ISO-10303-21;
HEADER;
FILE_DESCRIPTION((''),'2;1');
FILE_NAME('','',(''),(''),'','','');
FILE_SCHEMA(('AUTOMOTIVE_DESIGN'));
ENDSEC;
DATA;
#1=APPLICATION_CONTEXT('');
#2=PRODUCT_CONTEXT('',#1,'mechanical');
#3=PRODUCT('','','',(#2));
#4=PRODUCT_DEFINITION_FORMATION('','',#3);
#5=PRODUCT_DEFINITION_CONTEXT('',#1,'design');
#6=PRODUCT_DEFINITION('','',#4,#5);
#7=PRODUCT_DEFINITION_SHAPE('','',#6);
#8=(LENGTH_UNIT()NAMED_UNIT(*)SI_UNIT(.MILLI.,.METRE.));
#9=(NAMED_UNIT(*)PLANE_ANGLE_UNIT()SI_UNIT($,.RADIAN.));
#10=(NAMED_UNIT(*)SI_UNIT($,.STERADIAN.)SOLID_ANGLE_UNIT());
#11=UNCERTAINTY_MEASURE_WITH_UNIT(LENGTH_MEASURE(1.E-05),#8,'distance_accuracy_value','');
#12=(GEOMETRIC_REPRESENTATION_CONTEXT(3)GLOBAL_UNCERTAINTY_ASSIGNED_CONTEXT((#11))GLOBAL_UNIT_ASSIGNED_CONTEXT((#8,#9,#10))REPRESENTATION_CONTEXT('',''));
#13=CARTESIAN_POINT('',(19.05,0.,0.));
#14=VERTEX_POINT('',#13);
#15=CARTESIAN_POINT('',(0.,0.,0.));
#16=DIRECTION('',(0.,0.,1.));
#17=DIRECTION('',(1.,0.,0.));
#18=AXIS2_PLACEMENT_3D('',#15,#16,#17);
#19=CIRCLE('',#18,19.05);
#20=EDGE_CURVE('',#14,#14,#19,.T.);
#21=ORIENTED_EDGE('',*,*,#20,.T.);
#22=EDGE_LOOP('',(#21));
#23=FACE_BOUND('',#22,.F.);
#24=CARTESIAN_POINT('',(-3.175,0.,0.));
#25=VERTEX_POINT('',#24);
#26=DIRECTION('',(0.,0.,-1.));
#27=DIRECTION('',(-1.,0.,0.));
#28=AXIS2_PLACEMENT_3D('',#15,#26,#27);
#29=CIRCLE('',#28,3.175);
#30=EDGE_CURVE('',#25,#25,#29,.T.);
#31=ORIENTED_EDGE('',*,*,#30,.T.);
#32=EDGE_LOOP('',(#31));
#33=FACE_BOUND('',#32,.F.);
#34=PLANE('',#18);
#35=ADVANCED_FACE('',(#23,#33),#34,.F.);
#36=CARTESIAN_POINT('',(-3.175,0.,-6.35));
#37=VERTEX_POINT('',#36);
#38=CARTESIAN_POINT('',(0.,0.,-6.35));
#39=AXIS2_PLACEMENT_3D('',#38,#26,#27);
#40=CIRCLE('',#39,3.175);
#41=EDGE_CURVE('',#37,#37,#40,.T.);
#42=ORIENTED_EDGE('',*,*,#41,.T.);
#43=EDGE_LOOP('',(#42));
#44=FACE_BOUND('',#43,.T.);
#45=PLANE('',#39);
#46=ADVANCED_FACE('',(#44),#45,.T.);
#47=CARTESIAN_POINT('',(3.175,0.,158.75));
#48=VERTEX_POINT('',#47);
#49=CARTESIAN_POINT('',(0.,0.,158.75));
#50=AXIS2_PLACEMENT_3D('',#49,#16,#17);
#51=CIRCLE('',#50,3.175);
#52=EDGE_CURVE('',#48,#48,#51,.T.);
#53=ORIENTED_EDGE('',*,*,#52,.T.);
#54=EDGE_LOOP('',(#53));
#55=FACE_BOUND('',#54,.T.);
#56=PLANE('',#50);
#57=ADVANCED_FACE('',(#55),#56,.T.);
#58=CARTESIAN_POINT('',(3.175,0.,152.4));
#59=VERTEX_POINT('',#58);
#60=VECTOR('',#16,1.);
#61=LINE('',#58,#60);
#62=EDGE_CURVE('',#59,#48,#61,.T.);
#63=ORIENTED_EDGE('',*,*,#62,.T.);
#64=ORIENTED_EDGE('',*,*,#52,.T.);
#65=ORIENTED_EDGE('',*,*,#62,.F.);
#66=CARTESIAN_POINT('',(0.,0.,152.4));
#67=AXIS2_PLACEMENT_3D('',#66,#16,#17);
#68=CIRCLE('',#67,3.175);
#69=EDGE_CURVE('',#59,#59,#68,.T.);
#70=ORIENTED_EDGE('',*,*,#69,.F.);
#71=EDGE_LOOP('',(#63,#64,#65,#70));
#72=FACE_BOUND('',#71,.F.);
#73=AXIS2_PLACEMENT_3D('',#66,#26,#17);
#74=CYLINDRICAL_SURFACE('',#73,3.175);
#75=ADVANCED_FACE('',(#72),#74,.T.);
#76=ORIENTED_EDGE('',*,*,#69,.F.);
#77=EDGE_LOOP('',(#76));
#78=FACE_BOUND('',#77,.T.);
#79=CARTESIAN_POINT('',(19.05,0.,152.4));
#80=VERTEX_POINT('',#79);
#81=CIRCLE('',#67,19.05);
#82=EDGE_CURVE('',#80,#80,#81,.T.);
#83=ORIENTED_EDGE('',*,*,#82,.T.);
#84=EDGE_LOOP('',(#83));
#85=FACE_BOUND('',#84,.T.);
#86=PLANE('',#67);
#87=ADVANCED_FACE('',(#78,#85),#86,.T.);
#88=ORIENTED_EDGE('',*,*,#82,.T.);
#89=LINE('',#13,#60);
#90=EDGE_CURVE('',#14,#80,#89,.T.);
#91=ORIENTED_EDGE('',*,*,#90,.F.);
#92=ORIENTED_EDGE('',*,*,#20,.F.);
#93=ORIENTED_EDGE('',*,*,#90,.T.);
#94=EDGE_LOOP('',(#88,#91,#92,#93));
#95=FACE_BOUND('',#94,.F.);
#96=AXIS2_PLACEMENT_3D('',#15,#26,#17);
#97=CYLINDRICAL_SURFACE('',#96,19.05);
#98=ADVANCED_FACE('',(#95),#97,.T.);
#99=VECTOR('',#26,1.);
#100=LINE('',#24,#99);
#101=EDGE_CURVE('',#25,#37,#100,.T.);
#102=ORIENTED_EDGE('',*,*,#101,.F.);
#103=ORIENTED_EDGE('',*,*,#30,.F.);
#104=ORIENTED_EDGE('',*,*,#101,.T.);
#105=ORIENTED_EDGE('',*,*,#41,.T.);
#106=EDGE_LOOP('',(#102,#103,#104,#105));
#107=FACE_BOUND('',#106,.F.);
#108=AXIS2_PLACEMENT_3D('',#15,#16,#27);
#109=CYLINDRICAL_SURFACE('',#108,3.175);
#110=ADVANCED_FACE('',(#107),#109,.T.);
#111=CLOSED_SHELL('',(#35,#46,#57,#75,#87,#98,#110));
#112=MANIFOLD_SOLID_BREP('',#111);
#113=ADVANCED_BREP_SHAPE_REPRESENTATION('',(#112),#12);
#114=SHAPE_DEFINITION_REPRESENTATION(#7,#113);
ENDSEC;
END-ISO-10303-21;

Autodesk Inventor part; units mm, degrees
ref_plane "YZ Plane" through (0, 0, 0) normal (1, 0, 0) x (0, 1, 0)
ref_plane "XZ Plane" through (0, 0, 0) normal (0, 1, 0) x (-1, 0, 0)
ref_plane "XY Plane" through (0, 0, 0) normal (0, 0, 1) x (1, 0, 0)
sketch "Sketch1" plane through (0, 0, 0) normal (0, 0, 1) x (1, 0, 0)
  circle A0 centre (0, 0) radius 19.05
  dimension "d0" = 38.1
extrude "Extrusion1" add sketch "Sketch1" along normal blind 152.4
sketch "Sketch2" plane through (0, 0, 152.4) normal (0, 0, 1) x (1, 0, 0)
  circle A0 centre (0, 0) radius 3.175
  dimension "d3" = 6.35
extrude "Extrusion2" add sketch "Sketch2" along normal blind 6.35
sketch "Sketch3" plane through (0, 0, 0) normal (0, 0, -1) x (-1, 0, 0)
  circle A0 centre (0, 0) radius 3.175 projected
  circle A1 centre (0, 0) radius 3.175
extrude "Extrusion3" add sketch "Sketch3" along normal blind 6.35
properties part number "Roller"
